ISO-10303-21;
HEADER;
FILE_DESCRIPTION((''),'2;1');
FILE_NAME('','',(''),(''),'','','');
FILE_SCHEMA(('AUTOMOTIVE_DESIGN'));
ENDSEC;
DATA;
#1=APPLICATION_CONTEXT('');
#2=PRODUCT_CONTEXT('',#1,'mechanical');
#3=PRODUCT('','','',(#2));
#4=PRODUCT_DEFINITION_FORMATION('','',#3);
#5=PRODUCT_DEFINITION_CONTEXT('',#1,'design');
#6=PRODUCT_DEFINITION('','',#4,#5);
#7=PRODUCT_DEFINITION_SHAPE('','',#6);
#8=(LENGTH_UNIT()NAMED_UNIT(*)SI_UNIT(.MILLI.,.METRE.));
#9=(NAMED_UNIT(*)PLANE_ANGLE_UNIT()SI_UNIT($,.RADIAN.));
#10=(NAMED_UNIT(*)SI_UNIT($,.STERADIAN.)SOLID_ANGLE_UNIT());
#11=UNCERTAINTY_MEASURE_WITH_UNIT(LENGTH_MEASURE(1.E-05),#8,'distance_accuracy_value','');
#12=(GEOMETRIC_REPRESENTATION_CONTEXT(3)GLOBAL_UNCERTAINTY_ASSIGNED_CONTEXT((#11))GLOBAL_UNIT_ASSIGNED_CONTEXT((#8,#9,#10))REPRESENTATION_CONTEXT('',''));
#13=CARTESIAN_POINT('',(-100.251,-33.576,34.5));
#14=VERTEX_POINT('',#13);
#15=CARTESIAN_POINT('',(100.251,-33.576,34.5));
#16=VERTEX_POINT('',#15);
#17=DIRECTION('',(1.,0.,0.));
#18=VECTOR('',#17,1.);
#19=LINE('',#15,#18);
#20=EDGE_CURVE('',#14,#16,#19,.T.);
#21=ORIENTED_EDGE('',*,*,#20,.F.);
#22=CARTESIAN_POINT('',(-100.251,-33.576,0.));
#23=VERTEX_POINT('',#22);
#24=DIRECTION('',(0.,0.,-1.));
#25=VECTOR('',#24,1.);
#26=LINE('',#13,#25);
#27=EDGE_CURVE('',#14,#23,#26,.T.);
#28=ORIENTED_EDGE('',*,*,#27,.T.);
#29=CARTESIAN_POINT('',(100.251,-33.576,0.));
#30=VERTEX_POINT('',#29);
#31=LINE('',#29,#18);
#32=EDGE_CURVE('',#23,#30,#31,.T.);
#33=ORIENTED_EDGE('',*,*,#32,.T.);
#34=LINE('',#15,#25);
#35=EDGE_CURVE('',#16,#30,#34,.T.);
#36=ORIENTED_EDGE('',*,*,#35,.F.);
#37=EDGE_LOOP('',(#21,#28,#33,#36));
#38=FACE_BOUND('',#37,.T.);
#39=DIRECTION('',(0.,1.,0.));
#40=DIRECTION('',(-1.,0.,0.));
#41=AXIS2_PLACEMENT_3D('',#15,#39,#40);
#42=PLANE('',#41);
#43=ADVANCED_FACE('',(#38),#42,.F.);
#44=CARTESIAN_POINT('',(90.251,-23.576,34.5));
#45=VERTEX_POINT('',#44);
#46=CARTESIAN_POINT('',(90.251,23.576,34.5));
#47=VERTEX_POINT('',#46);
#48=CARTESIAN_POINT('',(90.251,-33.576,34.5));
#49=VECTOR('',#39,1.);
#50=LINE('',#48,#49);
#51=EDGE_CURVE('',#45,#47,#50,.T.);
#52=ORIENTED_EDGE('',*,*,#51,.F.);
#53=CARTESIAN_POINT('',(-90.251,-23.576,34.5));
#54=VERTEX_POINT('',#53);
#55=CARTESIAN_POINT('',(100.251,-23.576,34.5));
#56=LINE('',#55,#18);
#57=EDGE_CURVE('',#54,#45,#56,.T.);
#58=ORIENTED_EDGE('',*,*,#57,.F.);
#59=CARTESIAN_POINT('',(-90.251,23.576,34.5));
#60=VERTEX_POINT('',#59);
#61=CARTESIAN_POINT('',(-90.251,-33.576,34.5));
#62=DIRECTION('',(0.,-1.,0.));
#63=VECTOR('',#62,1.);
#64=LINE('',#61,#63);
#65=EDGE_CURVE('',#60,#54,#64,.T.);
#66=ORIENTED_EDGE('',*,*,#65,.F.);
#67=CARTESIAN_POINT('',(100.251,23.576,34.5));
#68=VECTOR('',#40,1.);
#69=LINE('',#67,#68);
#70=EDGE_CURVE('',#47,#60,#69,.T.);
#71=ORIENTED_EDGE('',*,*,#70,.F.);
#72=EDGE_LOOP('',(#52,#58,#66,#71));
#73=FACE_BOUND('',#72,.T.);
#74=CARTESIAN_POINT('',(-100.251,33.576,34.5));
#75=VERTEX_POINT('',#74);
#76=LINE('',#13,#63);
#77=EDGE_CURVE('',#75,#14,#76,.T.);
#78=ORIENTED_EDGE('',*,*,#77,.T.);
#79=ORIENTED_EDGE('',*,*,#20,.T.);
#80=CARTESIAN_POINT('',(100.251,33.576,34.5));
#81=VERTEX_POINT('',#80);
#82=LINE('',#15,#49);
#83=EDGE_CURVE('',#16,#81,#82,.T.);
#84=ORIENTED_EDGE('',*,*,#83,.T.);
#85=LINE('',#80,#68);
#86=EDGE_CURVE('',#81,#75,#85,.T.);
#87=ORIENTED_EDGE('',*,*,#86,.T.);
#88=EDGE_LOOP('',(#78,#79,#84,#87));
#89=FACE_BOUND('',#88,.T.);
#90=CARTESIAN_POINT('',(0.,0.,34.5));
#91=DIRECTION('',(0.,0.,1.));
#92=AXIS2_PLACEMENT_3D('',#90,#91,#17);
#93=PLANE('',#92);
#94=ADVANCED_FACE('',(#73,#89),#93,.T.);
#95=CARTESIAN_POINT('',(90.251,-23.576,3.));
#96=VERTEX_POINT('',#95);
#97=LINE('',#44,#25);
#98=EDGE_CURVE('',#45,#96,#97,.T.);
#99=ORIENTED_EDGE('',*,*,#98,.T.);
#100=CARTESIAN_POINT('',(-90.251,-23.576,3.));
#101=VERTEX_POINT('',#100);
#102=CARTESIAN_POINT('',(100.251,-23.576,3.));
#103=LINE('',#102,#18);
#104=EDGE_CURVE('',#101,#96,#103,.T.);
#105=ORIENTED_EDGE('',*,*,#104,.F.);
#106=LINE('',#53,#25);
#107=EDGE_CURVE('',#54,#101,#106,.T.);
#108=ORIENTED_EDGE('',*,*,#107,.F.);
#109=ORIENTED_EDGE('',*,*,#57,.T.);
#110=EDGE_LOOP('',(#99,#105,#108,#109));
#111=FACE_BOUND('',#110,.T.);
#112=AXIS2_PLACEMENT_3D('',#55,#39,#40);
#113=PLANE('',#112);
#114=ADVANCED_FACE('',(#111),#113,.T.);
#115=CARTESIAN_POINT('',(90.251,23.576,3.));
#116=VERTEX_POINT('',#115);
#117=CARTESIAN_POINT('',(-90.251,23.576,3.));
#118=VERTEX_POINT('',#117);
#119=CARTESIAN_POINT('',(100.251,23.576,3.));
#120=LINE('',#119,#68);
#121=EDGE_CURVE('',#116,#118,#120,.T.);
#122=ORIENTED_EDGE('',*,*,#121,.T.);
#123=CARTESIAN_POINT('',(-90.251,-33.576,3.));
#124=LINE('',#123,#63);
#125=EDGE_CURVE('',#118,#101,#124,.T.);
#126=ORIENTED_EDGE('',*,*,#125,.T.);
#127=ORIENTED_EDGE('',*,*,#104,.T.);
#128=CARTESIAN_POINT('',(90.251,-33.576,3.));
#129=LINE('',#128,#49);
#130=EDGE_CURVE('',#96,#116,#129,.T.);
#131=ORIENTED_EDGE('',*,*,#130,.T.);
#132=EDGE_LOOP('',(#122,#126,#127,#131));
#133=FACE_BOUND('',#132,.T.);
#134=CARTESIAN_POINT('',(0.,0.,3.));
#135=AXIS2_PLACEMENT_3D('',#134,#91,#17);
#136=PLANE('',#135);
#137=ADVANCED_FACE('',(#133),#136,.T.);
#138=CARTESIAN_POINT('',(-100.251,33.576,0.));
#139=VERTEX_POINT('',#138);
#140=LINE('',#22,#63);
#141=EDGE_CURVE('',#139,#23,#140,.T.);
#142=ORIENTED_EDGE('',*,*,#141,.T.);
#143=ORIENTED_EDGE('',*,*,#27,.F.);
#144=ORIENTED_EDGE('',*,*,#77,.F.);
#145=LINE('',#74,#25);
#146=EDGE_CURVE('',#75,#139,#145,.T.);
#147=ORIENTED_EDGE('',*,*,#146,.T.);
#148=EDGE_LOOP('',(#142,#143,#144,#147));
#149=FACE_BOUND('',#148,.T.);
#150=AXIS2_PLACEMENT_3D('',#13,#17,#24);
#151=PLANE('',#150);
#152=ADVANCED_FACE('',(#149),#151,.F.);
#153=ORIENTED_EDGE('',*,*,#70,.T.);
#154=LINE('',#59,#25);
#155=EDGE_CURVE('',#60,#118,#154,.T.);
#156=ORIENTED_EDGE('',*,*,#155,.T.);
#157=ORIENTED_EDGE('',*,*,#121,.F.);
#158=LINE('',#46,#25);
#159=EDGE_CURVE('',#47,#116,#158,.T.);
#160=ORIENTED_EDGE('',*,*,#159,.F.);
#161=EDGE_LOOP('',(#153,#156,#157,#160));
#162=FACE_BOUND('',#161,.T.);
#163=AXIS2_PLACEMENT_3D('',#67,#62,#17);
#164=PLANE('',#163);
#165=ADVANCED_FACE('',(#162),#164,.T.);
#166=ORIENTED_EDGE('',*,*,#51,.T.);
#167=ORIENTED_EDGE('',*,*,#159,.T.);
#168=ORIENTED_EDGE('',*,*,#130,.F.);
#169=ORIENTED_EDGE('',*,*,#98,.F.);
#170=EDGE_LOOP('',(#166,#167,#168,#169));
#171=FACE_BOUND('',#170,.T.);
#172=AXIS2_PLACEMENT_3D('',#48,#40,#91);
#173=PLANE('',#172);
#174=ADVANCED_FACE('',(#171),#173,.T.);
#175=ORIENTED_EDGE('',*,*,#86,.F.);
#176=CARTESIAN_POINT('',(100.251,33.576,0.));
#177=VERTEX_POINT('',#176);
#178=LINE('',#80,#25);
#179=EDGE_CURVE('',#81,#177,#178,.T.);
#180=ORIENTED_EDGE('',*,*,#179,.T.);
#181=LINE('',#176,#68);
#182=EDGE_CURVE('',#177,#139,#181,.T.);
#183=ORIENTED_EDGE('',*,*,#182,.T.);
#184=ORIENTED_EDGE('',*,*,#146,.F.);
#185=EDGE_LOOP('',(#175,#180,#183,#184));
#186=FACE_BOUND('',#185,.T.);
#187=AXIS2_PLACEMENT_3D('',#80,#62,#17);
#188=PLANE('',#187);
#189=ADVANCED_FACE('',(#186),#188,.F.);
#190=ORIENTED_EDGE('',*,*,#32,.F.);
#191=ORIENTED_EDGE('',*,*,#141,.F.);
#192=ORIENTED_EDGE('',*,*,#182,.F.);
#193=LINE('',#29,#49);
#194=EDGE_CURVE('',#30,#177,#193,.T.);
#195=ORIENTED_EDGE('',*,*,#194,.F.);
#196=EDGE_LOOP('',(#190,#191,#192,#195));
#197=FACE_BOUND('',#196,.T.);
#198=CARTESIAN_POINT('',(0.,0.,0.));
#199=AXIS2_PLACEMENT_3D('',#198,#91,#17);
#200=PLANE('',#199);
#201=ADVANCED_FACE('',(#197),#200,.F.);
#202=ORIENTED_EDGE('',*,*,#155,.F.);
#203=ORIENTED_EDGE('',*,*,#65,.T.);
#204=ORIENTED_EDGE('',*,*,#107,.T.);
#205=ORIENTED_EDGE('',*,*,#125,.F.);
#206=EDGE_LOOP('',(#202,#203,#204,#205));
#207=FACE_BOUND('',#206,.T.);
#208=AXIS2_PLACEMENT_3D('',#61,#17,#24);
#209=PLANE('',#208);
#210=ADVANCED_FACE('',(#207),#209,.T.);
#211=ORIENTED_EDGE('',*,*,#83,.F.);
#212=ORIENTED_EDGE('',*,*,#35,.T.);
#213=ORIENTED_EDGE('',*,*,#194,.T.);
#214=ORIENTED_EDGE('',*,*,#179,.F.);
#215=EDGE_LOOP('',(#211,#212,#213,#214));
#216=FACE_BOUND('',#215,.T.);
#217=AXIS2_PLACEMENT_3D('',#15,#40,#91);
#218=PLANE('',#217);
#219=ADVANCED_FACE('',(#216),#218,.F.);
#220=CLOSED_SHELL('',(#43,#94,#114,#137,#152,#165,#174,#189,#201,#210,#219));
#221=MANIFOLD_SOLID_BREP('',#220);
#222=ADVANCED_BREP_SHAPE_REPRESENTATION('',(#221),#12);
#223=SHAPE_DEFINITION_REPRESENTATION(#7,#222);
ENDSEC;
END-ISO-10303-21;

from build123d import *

# Parameters (mm, degrees)
SKETCH_1_W                 = 200.502
SKETCH_1_H                 = 67.152
EXTRUDE_2_DEPTH            = 34.5
SHELL_3_T                  = -3
SHELL_3_THICKNESS_2_FACE_W = 194.502
SHELL_3_THICKNESS_2_FACE_H = 31.5
SHELL_3_THICKNESS_2_DEPTH  = 7
SHELL_3_THICKNESS_3_FACE_W = 31.5
SHELL_3_THICKNESS_3_FACE_H = 54.152
SHELL_3_THICKNESS_3_DEPTH  = 7
SHELL_3_THICKNESS_4_FACE_W = 31.5
SHELL_3_THICKNESS_4_FACE_H = 54.152
SHELL_3_THICKNESS_4_DEPTH  = 7
SHELL_3_THICKNESS_5_FACE_W = 180.502
SHELL_3_THICKNESS_5_FACE_H = 31.5
SHELL_3_THICKNESS_5_DEPTH  = 7


with BuildPart() as part:
    # 草图1 → 凸台-拉伸2 (new body)
    with BuildSketch(Plane.XY):
        Rectangle(SKETCH_1_W, SKETCH_1_H)
    extrude(amount=EXTRUDE_2_DEPTH)

    # 抽壳3
    shell_3_openings = [part.faces().sort_by_distance(p)[0] for p in [
        (0, 0, 34.5),
    ]]
    offset(amount=SHELL_3_T, openings=shell_3_openings, kind=Kind.INTERSECTION)

    # 抽壳3 thickness 2 face (on inner face of the shell) → 抽壳3 thickness 2 (add)
    with BuildSketch(Plane(origin=(0, 30.576, 18.75), x_dir=(1, 0, 0), z_dir=(0, 1, 0))):
        Rectangle(SHELL_3_THICKNESS_2_FACE_W, SHELL_3_THICKNESS_2_FACE_H)
    extrude(amount=-SHELL_3_THICKNESS_2_DEPTH)

    # 抽壳3 thickness 3 face (on inner face of the shell) → 抽壳3 thickness 3 (add)
    with BuildSketch(Plane(origin=(97.251, -3.5, 18.75), x_dir=(0, 0, 1), z_dir=(1, 0, 0))):
        Rectangle(SHELL_3_THICKNESS_3_FACE_W, SHELL_3_THICKNESS_3_FACE_H)
    extrude(amount=-SHELL_3_THICKNESS_3_DEPTH)

    # 抽壳3 thickness 4 face (on inner face of the shell) → 抽壳3 thickness 4 (add)
    with BuildSketch(Plane(origin=(-97.251, -3.5, 18.75), x_dir=(0, 0, -1), z_dir=(-1, 0, 0))):
        Rectangle(SHELL_3_THICKNESS_4_FACE_W, SHELL_3_THICKNESS_4_FACE_H)
    extrude(amount=-SHELL_3_THICKNESS_4_DEPTH)

    # 抽壳3 thickness 5 face (on inner face of the shell) → 抽壳3 thickness 5 (add)
    with BuildSketch(Plane(origin=(0, -30.576, 18.75), x_dir=(-1, 0, 0), z_dir=(0, -1, 0))):
        Rectangle(SHELL_3_THICKNESS_5_FACE_W, SHELL_3_THICKNESS_5_FACE_H)
    extrude(amount=-SHELL_3_THICKNESS_5_DEPTH)


solid = part.part
